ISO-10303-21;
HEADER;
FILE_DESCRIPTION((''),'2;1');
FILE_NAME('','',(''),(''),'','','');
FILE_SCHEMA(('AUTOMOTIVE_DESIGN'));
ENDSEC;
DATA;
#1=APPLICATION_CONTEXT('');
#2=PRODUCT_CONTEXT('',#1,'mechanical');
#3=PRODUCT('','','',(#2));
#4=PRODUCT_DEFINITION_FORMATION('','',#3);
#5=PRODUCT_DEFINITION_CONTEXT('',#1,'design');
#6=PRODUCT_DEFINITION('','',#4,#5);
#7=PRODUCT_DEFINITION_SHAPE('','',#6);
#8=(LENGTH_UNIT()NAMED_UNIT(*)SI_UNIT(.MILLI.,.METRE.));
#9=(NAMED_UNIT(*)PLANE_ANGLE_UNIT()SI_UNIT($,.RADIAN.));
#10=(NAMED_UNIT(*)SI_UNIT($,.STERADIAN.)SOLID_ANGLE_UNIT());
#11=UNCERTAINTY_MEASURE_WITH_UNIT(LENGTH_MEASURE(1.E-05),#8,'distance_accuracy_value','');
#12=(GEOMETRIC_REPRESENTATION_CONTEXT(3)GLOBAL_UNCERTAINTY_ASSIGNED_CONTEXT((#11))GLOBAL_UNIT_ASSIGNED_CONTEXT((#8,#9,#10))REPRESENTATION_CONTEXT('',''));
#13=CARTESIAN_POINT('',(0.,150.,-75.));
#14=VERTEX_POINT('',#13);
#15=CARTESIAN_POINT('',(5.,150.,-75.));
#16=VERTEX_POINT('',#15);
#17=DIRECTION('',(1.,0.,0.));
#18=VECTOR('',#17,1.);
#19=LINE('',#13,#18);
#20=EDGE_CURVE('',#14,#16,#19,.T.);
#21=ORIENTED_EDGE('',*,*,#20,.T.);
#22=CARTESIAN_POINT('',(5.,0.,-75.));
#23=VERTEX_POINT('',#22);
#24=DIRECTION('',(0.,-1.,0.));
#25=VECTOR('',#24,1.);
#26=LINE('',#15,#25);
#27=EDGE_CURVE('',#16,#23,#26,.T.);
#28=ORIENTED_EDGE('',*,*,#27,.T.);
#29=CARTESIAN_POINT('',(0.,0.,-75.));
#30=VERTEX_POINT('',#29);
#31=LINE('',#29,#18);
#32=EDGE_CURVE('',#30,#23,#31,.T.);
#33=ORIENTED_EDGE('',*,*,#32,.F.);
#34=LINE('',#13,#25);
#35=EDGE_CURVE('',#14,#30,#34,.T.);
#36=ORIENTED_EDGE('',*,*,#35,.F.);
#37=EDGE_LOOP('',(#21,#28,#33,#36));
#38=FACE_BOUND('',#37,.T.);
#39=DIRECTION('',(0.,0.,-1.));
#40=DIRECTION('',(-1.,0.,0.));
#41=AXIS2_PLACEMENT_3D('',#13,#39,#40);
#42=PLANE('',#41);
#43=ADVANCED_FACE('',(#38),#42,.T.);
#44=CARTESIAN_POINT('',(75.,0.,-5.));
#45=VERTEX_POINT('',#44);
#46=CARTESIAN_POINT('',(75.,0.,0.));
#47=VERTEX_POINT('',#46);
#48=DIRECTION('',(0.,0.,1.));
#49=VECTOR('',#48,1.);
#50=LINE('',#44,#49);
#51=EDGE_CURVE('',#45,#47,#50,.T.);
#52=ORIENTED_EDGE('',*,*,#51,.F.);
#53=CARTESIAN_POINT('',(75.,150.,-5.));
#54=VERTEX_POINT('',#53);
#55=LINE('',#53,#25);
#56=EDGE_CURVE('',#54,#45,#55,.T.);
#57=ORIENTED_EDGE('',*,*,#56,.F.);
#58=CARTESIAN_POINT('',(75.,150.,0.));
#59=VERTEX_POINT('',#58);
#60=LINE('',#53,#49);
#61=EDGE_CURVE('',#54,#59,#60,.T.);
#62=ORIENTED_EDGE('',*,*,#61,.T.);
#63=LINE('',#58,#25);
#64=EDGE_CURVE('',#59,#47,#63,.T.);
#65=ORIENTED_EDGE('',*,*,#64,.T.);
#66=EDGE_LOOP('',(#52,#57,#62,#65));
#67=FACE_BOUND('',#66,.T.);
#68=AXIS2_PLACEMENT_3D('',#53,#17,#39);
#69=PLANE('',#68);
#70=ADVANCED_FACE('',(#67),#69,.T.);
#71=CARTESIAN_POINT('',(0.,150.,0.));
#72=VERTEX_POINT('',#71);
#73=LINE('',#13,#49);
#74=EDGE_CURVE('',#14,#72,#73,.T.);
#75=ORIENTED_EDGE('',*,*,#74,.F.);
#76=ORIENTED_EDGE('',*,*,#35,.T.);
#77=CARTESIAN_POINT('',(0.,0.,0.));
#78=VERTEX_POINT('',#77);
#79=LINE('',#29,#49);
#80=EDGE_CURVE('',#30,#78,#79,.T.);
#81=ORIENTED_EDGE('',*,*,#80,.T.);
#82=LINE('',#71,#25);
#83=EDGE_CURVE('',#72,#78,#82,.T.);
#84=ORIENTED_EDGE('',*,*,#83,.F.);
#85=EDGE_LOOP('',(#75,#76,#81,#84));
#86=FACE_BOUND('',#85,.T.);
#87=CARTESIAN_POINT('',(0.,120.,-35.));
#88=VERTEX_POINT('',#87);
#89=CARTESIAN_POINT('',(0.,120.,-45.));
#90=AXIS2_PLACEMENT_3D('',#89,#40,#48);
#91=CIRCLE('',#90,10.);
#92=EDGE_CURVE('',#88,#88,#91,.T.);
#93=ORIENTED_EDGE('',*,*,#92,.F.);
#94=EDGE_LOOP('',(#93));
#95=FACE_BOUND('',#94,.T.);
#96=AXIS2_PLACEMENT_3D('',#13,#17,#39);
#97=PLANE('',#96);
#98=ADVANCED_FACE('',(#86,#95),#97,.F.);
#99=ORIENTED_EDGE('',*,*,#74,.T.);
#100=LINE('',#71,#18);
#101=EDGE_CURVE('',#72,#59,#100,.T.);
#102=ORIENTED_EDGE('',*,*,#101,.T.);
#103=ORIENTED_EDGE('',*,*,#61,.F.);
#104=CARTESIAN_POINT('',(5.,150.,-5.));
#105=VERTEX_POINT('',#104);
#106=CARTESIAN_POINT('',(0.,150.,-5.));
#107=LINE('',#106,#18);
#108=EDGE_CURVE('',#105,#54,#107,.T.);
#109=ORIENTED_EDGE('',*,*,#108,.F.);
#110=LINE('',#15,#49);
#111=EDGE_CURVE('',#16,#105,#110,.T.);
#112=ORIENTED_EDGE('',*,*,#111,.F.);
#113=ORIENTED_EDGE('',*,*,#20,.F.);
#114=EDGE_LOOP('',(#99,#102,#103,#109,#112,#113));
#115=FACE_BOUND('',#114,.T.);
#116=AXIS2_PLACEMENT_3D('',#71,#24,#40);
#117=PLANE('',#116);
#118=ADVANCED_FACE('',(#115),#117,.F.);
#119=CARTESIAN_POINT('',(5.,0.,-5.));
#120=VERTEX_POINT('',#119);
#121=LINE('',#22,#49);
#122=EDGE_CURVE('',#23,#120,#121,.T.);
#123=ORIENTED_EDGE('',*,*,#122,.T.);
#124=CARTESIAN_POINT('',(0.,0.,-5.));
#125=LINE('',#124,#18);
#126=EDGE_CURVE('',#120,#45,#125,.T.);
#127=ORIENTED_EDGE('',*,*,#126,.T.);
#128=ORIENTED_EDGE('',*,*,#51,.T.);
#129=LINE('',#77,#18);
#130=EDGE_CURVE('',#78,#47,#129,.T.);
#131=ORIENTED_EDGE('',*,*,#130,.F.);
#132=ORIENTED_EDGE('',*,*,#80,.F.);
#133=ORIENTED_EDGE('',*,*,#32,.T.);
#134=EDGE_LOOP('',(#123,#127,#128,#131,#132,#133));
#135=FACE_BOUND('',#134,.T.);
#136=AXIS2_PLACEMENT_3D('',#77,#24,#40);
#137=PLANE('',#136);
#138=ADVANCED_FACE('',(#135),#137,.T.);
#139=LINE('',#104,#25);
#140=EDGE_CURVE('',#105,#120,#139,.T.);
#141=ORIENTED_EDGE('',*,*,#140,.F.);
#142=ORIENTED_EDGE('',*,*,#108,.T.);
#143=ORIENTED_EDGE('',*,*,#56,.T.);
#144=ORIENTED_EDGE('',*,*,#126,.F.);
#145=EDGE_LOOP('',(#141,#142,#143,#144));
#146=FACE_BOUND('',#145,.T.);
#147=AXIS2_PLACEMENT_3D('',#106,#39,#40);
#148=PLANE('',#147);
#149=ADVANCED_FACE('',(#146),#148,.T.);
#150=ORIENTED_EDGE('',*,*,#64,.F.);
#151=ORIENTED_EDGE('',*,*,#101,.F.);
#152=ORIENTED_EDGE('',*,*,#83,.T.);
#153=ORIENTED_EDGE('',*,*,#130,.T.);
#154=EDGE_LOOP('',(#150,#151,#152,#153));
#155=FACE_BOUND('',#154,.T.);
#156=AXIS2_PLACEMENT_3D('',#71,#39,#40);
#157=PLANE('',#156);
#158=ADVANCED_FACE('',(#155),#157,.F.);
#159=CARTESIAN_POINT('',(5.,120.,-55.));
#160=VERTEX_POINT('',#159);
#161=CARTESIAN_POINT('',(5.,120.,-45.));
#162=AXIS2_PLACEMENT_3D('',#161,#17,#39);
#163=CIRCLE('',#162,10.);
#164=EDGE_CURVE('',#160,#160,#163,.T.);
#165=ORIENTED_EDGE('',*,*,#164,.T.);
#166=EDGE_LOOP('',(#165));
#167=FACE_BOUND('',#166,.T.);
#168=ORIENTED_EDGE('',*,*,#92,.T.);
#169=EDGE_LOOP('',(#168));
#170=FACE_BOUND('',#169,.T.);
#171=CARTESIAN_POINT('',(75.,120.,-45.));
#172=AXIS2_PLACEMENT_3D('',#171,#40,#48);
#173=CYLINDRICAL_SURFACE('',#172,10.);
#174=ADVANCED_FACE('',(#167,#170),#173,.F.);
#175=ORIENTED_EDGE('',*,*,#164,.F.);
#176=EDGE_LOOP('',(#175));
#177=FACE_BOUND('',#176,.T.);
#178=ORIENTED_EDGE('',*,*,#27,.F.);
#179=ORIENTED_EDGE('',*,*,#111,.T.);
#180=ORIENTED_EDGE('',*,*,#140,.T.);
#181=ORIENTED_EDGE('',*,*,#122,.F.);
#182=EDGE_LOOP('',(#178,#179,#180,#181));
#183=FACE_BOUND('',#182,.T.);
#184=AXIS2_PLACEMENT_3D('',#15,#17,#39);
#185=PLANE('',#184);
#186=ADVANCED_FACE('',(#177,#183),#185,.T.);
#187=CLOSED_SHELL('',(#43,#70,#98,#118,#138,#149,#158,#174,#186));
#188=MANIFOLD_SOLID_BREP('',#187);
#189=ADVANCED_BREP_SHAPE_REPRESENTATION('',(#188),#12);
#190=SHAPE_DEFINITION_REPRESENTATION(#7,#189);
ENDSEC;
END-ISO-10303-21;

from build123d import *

# Parameters (mm, degrees)
EXTRUDE_1_DEPTH     = 150
SKETCH_2_R          = 10
CUT_EXTRUDE_1_DEPTH = 76


with BuildPart() as part:
    # Эскиз1 → Вытянуть-Тонкостенный1 (new body)
    with BuildSketch(Plane(origin=(0, 0, 0), x_dir=(1, 0, 0), z_dir=(0, 1, 0))):
        Polygon((0, 75), (0, 0), (75, 0), (75, 5), (5, 5), (5, 75), align=None)
    extrude(amount=EXTRUDE_1_DEPTH)

    # Эскиз2 → Вырез-Вытянуть1 (cut, through all)
    with BuildSketch(Plane.ZY):
        with Locations((-45, 120)):
            Circle(SKETCH_2_R)
    extrude(amount=-CUT_EXTRUDE_1_DEPTH, mode=Mode.SUBTRACT)


solid = part.part
